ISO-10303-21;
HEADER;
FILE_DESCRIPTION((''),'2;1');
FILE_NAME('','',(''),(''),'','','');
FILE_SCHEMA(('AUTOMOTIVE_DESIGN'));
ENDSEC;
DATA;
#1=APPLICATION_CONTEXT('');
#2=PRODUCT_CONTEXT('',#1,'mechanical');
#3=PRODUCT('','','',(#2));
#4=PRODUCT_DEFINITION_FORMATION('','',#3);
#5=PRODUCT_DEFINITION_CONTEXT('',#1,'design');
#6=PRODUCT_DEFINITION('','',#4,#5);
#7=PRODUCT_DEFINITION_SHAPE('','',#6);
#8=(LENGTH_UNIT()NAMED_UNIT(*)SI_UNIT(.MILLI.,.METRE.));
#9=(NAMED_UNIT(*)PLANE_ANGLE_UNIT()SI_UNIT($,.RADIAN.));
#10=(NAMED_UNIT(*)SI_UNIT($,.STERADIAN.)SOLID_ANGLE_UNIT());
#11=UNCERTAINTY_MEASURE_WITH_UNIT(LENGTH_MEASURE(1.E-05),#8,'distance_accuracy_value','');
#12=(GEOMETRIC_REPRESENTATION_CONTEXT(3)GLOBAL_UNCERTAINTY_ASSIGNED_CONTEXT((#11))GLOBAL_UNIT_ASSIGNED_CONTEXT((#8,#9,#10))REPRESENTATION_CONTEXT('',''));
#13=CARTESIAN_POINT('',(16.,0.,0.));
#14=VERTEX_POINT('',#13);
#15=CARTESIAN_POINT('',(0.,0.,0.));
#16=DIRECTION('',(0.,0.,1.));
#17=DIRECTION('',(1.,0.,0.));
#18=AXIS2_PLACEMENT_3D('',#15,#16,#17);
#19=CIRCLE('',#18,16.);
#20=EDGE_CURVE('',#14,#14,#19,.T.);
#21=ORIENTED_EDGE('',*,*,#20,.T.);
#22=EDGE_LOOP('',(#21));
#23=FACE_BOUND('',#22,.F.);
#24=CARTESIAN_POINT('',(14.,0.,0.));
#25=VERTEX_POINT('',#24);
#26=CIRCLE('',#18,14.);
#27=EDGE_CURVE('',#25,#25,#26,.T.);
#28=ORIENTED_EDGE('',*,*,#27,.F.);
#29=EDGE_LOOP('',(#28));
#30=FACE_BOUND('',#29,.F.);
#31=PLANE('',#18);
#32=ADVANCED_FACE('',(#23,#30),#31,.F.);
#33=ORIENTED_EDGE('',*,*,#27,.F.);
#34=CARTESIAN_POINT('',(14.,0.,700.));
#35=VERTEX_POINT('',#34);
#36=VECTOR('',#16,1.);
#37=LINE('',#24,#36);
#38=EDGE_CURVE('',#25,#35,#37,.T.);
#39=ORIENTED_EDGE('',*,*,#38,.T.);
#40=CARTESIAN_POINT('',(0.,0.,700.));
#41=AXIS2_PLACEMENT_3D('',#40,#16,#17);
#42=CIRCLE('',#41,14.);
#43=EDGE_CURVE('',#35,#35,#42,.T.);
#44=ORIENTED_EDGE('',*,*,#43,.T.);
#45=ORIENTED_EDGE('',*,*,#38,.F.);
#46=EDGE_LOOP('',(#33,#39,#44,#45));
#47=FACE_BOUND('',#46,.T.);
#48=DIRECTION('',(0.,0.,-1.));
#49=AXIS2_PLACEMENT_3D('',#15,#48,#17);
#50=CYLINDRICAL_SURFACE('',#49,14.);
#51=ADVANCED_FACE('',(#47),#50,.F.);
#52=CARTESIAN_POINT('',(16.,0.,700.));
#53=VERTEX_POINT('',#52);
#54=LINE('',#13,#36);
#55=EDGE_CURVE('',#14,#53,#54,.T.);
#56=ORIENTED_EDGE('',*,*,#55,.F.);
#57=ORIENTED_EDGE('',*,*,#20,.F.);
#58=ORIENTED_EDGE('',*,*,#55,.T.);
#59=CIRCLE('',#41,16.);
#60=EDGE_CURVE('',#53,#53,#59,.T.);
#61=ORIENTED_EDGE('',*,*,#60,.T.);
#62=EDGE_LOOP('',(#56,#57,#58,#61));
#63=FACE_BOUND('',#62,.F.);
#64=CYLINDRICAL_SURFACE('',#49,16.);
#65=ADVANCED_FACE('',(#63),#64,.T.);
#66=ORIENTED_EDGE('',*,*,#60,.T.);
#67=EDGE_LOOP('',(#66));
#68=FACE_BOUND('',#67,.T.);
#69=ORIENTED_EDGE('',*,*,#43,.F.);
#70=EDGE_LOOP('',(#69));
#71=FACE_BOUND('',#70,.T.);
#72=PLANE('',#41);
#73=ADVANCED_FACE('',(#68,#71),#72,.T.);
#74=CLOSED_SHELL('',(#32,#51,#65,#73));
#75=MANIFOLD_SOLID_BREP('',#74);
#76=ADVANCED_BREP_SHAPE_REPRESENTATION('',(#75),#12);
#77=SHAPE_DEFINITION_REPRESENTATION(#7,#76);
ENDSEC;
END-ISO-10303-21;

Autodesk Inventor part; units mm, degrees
ref_plane "YZ Plane" through (0, 0, 0) normal (1, 0, 0) x (0, 1, 0)
ref_plane "XZ Plane" through (0, 0, 0) normal (0, 1, 0) x (-1, 0, 0)
ref_plane "XY Plane" through (0, 0, 0) normal (0, 0, 1) x (1, 0, 0)
sketch "Sketch1" plane through (0, 0, 0) normal (0, 0, 1) x (1, 0, 0)
  circle A0 centre (0, 0) radius 14
  circle A1 centre (0, 0) radius 16
  dimension "d1" = 2
  dimension "d4" = 32
extrude "Extrusion1" add sketch "Sketch1" along normal blind 700
equation "\"d4\" = Внешний_диам_вала"
equation "\"d2\" = Длина_вала"
equation "\"Внешний_диам_вала\" = 32"
equation "\"Длина_вала\" = 700"
properties part number "вал малый"
